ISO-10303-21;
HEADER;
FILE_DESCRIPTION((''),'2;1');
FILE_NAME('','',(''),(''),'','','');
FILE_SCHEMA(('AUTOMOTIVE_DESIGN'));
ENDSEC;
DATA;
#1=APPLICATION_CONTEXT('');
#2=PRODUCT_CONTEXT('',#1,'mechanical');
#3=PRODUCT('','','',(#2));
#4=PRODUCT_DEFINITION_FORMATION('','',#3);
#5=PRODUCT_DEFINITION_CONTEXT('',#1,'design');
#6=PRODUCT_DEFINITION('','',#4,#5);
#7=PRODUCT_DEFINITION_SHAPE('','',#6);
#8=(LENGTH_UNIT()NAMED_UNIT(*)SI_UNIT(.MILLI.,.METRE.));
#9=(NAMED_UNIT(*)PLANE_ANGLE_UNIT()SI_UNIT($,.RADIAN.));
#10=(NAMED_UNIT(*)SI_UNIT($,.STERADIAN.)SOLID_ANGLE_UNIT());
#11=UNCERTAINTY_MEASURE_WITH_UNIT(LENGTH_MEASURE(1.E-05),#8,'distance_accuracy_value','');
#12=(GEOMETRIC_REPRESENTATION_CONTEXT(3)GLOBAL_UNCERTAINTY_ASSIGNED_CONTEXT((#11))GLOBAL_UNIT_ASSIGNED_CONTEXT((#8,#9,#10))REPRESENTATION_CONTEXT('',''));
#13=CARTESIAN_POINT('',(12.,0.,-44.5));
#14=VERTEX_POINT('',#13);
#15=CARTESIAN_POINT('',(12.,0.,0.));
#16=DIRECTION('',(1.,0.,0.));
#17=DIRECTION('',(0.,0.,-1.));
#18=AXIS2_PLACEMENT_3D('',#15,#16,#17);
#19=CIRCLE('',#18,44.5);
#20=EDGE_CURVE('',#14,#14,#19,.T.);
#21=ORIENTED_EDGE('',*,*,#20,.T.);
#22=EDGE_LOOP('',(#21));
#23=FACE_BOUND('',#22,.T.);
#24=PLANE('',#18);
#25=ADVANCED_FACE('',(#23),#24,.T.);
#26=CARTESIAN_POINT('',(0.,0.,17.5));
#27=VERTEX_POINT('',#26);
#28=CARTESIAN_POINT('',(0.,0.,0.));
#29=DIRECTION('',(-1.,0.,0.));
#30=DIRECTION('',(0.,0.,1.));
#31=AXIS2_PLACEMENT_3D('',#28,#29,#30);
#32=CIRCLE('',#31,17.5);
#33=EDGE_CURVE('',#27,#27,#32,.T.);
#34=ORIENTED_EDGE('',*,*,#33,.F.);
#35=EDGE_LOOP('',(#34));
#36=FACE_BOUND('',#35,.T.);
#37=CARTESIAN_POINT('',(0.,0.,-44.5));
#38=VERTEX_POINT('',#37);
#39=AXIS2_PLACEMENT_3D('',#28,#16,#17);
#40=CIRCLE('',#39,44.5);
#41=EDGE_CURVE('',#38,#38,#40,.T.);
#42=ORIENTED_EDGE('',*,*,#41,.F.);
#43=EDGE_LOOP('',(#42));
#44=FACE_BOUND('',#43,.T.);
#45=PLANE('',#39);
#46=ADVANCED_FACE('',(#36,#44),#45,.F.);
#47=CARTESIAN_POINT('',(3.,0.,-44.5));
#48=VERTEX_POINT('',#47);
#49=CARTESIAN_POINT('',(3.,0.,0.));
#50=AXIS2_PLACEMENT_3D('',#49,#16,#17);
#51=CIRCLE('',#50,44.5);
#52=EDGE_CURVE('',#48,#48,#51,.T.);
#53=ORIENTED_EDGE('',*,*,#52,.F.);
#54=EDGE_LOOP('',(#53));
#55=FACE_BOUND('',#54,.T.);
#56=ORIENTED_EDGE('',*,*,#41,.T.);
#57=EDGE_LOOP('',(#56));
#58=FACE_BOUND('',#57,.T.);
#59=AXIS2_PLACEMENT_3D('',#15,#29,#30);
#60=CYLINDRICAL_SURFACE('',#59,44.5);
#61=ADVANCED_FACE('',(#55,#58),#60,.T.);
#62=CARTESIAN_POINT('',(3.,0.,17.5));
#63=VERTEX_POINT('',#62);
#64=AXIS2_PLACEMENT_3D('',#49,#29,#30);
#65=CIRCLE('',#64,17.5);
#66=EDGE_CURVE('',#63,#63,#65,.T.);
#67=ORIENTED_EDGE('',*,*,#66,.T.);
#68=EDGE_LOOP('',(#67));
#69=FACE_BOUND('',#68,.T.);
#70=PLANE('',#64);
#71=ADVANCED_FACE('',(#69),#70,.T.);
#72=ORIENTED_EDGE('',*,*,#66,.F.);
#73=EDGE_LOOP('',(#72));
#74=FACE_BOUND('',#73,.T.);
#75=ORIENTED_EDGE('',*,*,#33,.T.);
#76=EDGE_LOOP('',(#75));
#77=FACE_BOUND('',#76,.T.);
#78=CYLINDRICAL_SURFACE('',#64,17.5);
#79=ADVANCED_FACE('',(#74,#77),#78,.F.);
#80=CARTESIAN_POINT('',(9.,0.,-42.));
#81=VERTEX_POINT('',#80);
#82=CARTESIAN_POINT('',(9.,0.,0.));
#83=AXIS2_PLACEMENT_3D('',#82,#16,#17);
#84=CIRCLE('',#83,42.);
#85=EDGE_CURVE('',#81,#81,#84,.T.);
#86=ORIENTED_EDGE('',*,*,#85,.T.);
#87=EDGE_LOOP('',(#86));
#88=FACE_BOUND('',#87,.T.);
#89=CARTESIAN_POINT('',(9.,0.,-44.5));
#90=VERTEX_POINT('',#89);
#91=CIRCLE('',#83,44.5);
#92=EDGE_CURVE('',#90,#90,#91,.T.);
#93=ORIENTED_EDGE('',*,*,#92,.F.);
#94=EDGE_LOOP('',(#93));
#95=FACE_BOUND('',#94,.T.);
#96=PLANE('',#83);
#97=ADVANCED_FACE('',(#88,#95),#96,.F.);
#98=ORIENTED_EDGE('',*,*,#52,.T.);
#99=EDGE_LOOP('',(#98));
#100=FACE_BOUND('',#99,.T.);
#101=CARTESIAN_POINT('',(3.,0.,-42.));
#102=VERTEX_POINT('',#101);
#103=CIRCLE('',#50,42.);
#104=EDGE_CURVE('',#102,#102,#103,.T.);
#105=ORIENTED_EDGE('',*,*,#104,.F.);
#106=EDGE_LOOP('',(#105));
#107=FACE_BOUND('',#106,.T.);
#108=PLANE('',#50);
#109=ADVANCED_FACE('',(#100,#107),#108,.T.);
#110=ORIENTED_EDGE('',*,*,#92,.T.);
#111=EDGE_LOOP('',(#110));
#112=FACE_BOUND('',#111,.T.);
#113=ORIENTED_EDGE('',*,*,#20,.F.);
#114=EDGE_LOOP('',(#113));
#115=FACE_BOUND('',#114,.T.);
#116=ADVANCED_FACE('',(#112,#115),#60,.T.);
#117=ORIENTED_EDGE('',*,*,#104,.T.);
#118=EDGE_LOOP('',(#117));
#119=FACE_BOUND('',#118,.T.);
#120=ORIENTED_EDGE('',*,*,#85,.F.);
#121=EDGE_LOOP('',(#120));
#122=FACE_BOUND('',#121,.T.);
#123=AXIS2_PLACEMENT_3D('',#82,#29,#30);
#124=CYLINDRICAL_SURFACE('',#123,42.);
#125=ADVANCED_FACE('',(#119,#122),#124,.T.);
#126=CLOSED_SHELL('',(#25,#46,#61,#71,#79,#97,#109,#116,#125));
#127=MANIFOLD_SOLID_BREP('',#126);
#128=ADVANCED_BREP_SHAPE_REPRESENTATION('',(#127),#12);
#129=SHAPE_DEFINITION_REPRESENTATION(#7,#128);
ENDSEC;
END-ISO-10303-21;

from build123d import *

# Parameters (mm, degrees)
SKETCH1_R           = 44.5
BOSS_EXTRUDE1_DEPTH = 12
SKETCH3_R           = 44.5
SKETCH3_R_2         = 42
CUT_EXTRUDE1_DEPTH  = 6
SKETCH4_R           = 17.5
CUT_EXTRUDE2_DEPTH  = 3


with BuildPart() as part:
    # Sketch1 → Boss-Extrude1 (new body)
    with BuildSketch(Plane(origin=(0, 0, 0), x_dir=(0, 0, -1), z_dir=(1, 0, 0))):
        Circle(SKETCH1_R)
    extrude(amount=BOSS_EXTRUDE1_DEPTH)

    # Sketch3 → Cut-Extrude1 (cut)
    with BuildSketch(Plane(origin=(3, 0, 0), x_dir=(0, 0, -1), z_dir=(1, 0, 0))):
        Circle(SKETCH3_R)
        Circle(SKETCH3_R_2, mode=Mode.SUBTRACT)
    extrude(amount=CUT_EXTRUDE1_DEPTH, mode=Mode.SUBTRACT)

    # Sketch4 → Cut-Extrude2 (cut)
    with BuildSketch(Plane.ZY):
        Circle(SKETCH4_R)
    extrude(amount=-CUT_EXTRUDE2_DEPTH, mode=Mode.SUBTRACT)


solid = part.part
